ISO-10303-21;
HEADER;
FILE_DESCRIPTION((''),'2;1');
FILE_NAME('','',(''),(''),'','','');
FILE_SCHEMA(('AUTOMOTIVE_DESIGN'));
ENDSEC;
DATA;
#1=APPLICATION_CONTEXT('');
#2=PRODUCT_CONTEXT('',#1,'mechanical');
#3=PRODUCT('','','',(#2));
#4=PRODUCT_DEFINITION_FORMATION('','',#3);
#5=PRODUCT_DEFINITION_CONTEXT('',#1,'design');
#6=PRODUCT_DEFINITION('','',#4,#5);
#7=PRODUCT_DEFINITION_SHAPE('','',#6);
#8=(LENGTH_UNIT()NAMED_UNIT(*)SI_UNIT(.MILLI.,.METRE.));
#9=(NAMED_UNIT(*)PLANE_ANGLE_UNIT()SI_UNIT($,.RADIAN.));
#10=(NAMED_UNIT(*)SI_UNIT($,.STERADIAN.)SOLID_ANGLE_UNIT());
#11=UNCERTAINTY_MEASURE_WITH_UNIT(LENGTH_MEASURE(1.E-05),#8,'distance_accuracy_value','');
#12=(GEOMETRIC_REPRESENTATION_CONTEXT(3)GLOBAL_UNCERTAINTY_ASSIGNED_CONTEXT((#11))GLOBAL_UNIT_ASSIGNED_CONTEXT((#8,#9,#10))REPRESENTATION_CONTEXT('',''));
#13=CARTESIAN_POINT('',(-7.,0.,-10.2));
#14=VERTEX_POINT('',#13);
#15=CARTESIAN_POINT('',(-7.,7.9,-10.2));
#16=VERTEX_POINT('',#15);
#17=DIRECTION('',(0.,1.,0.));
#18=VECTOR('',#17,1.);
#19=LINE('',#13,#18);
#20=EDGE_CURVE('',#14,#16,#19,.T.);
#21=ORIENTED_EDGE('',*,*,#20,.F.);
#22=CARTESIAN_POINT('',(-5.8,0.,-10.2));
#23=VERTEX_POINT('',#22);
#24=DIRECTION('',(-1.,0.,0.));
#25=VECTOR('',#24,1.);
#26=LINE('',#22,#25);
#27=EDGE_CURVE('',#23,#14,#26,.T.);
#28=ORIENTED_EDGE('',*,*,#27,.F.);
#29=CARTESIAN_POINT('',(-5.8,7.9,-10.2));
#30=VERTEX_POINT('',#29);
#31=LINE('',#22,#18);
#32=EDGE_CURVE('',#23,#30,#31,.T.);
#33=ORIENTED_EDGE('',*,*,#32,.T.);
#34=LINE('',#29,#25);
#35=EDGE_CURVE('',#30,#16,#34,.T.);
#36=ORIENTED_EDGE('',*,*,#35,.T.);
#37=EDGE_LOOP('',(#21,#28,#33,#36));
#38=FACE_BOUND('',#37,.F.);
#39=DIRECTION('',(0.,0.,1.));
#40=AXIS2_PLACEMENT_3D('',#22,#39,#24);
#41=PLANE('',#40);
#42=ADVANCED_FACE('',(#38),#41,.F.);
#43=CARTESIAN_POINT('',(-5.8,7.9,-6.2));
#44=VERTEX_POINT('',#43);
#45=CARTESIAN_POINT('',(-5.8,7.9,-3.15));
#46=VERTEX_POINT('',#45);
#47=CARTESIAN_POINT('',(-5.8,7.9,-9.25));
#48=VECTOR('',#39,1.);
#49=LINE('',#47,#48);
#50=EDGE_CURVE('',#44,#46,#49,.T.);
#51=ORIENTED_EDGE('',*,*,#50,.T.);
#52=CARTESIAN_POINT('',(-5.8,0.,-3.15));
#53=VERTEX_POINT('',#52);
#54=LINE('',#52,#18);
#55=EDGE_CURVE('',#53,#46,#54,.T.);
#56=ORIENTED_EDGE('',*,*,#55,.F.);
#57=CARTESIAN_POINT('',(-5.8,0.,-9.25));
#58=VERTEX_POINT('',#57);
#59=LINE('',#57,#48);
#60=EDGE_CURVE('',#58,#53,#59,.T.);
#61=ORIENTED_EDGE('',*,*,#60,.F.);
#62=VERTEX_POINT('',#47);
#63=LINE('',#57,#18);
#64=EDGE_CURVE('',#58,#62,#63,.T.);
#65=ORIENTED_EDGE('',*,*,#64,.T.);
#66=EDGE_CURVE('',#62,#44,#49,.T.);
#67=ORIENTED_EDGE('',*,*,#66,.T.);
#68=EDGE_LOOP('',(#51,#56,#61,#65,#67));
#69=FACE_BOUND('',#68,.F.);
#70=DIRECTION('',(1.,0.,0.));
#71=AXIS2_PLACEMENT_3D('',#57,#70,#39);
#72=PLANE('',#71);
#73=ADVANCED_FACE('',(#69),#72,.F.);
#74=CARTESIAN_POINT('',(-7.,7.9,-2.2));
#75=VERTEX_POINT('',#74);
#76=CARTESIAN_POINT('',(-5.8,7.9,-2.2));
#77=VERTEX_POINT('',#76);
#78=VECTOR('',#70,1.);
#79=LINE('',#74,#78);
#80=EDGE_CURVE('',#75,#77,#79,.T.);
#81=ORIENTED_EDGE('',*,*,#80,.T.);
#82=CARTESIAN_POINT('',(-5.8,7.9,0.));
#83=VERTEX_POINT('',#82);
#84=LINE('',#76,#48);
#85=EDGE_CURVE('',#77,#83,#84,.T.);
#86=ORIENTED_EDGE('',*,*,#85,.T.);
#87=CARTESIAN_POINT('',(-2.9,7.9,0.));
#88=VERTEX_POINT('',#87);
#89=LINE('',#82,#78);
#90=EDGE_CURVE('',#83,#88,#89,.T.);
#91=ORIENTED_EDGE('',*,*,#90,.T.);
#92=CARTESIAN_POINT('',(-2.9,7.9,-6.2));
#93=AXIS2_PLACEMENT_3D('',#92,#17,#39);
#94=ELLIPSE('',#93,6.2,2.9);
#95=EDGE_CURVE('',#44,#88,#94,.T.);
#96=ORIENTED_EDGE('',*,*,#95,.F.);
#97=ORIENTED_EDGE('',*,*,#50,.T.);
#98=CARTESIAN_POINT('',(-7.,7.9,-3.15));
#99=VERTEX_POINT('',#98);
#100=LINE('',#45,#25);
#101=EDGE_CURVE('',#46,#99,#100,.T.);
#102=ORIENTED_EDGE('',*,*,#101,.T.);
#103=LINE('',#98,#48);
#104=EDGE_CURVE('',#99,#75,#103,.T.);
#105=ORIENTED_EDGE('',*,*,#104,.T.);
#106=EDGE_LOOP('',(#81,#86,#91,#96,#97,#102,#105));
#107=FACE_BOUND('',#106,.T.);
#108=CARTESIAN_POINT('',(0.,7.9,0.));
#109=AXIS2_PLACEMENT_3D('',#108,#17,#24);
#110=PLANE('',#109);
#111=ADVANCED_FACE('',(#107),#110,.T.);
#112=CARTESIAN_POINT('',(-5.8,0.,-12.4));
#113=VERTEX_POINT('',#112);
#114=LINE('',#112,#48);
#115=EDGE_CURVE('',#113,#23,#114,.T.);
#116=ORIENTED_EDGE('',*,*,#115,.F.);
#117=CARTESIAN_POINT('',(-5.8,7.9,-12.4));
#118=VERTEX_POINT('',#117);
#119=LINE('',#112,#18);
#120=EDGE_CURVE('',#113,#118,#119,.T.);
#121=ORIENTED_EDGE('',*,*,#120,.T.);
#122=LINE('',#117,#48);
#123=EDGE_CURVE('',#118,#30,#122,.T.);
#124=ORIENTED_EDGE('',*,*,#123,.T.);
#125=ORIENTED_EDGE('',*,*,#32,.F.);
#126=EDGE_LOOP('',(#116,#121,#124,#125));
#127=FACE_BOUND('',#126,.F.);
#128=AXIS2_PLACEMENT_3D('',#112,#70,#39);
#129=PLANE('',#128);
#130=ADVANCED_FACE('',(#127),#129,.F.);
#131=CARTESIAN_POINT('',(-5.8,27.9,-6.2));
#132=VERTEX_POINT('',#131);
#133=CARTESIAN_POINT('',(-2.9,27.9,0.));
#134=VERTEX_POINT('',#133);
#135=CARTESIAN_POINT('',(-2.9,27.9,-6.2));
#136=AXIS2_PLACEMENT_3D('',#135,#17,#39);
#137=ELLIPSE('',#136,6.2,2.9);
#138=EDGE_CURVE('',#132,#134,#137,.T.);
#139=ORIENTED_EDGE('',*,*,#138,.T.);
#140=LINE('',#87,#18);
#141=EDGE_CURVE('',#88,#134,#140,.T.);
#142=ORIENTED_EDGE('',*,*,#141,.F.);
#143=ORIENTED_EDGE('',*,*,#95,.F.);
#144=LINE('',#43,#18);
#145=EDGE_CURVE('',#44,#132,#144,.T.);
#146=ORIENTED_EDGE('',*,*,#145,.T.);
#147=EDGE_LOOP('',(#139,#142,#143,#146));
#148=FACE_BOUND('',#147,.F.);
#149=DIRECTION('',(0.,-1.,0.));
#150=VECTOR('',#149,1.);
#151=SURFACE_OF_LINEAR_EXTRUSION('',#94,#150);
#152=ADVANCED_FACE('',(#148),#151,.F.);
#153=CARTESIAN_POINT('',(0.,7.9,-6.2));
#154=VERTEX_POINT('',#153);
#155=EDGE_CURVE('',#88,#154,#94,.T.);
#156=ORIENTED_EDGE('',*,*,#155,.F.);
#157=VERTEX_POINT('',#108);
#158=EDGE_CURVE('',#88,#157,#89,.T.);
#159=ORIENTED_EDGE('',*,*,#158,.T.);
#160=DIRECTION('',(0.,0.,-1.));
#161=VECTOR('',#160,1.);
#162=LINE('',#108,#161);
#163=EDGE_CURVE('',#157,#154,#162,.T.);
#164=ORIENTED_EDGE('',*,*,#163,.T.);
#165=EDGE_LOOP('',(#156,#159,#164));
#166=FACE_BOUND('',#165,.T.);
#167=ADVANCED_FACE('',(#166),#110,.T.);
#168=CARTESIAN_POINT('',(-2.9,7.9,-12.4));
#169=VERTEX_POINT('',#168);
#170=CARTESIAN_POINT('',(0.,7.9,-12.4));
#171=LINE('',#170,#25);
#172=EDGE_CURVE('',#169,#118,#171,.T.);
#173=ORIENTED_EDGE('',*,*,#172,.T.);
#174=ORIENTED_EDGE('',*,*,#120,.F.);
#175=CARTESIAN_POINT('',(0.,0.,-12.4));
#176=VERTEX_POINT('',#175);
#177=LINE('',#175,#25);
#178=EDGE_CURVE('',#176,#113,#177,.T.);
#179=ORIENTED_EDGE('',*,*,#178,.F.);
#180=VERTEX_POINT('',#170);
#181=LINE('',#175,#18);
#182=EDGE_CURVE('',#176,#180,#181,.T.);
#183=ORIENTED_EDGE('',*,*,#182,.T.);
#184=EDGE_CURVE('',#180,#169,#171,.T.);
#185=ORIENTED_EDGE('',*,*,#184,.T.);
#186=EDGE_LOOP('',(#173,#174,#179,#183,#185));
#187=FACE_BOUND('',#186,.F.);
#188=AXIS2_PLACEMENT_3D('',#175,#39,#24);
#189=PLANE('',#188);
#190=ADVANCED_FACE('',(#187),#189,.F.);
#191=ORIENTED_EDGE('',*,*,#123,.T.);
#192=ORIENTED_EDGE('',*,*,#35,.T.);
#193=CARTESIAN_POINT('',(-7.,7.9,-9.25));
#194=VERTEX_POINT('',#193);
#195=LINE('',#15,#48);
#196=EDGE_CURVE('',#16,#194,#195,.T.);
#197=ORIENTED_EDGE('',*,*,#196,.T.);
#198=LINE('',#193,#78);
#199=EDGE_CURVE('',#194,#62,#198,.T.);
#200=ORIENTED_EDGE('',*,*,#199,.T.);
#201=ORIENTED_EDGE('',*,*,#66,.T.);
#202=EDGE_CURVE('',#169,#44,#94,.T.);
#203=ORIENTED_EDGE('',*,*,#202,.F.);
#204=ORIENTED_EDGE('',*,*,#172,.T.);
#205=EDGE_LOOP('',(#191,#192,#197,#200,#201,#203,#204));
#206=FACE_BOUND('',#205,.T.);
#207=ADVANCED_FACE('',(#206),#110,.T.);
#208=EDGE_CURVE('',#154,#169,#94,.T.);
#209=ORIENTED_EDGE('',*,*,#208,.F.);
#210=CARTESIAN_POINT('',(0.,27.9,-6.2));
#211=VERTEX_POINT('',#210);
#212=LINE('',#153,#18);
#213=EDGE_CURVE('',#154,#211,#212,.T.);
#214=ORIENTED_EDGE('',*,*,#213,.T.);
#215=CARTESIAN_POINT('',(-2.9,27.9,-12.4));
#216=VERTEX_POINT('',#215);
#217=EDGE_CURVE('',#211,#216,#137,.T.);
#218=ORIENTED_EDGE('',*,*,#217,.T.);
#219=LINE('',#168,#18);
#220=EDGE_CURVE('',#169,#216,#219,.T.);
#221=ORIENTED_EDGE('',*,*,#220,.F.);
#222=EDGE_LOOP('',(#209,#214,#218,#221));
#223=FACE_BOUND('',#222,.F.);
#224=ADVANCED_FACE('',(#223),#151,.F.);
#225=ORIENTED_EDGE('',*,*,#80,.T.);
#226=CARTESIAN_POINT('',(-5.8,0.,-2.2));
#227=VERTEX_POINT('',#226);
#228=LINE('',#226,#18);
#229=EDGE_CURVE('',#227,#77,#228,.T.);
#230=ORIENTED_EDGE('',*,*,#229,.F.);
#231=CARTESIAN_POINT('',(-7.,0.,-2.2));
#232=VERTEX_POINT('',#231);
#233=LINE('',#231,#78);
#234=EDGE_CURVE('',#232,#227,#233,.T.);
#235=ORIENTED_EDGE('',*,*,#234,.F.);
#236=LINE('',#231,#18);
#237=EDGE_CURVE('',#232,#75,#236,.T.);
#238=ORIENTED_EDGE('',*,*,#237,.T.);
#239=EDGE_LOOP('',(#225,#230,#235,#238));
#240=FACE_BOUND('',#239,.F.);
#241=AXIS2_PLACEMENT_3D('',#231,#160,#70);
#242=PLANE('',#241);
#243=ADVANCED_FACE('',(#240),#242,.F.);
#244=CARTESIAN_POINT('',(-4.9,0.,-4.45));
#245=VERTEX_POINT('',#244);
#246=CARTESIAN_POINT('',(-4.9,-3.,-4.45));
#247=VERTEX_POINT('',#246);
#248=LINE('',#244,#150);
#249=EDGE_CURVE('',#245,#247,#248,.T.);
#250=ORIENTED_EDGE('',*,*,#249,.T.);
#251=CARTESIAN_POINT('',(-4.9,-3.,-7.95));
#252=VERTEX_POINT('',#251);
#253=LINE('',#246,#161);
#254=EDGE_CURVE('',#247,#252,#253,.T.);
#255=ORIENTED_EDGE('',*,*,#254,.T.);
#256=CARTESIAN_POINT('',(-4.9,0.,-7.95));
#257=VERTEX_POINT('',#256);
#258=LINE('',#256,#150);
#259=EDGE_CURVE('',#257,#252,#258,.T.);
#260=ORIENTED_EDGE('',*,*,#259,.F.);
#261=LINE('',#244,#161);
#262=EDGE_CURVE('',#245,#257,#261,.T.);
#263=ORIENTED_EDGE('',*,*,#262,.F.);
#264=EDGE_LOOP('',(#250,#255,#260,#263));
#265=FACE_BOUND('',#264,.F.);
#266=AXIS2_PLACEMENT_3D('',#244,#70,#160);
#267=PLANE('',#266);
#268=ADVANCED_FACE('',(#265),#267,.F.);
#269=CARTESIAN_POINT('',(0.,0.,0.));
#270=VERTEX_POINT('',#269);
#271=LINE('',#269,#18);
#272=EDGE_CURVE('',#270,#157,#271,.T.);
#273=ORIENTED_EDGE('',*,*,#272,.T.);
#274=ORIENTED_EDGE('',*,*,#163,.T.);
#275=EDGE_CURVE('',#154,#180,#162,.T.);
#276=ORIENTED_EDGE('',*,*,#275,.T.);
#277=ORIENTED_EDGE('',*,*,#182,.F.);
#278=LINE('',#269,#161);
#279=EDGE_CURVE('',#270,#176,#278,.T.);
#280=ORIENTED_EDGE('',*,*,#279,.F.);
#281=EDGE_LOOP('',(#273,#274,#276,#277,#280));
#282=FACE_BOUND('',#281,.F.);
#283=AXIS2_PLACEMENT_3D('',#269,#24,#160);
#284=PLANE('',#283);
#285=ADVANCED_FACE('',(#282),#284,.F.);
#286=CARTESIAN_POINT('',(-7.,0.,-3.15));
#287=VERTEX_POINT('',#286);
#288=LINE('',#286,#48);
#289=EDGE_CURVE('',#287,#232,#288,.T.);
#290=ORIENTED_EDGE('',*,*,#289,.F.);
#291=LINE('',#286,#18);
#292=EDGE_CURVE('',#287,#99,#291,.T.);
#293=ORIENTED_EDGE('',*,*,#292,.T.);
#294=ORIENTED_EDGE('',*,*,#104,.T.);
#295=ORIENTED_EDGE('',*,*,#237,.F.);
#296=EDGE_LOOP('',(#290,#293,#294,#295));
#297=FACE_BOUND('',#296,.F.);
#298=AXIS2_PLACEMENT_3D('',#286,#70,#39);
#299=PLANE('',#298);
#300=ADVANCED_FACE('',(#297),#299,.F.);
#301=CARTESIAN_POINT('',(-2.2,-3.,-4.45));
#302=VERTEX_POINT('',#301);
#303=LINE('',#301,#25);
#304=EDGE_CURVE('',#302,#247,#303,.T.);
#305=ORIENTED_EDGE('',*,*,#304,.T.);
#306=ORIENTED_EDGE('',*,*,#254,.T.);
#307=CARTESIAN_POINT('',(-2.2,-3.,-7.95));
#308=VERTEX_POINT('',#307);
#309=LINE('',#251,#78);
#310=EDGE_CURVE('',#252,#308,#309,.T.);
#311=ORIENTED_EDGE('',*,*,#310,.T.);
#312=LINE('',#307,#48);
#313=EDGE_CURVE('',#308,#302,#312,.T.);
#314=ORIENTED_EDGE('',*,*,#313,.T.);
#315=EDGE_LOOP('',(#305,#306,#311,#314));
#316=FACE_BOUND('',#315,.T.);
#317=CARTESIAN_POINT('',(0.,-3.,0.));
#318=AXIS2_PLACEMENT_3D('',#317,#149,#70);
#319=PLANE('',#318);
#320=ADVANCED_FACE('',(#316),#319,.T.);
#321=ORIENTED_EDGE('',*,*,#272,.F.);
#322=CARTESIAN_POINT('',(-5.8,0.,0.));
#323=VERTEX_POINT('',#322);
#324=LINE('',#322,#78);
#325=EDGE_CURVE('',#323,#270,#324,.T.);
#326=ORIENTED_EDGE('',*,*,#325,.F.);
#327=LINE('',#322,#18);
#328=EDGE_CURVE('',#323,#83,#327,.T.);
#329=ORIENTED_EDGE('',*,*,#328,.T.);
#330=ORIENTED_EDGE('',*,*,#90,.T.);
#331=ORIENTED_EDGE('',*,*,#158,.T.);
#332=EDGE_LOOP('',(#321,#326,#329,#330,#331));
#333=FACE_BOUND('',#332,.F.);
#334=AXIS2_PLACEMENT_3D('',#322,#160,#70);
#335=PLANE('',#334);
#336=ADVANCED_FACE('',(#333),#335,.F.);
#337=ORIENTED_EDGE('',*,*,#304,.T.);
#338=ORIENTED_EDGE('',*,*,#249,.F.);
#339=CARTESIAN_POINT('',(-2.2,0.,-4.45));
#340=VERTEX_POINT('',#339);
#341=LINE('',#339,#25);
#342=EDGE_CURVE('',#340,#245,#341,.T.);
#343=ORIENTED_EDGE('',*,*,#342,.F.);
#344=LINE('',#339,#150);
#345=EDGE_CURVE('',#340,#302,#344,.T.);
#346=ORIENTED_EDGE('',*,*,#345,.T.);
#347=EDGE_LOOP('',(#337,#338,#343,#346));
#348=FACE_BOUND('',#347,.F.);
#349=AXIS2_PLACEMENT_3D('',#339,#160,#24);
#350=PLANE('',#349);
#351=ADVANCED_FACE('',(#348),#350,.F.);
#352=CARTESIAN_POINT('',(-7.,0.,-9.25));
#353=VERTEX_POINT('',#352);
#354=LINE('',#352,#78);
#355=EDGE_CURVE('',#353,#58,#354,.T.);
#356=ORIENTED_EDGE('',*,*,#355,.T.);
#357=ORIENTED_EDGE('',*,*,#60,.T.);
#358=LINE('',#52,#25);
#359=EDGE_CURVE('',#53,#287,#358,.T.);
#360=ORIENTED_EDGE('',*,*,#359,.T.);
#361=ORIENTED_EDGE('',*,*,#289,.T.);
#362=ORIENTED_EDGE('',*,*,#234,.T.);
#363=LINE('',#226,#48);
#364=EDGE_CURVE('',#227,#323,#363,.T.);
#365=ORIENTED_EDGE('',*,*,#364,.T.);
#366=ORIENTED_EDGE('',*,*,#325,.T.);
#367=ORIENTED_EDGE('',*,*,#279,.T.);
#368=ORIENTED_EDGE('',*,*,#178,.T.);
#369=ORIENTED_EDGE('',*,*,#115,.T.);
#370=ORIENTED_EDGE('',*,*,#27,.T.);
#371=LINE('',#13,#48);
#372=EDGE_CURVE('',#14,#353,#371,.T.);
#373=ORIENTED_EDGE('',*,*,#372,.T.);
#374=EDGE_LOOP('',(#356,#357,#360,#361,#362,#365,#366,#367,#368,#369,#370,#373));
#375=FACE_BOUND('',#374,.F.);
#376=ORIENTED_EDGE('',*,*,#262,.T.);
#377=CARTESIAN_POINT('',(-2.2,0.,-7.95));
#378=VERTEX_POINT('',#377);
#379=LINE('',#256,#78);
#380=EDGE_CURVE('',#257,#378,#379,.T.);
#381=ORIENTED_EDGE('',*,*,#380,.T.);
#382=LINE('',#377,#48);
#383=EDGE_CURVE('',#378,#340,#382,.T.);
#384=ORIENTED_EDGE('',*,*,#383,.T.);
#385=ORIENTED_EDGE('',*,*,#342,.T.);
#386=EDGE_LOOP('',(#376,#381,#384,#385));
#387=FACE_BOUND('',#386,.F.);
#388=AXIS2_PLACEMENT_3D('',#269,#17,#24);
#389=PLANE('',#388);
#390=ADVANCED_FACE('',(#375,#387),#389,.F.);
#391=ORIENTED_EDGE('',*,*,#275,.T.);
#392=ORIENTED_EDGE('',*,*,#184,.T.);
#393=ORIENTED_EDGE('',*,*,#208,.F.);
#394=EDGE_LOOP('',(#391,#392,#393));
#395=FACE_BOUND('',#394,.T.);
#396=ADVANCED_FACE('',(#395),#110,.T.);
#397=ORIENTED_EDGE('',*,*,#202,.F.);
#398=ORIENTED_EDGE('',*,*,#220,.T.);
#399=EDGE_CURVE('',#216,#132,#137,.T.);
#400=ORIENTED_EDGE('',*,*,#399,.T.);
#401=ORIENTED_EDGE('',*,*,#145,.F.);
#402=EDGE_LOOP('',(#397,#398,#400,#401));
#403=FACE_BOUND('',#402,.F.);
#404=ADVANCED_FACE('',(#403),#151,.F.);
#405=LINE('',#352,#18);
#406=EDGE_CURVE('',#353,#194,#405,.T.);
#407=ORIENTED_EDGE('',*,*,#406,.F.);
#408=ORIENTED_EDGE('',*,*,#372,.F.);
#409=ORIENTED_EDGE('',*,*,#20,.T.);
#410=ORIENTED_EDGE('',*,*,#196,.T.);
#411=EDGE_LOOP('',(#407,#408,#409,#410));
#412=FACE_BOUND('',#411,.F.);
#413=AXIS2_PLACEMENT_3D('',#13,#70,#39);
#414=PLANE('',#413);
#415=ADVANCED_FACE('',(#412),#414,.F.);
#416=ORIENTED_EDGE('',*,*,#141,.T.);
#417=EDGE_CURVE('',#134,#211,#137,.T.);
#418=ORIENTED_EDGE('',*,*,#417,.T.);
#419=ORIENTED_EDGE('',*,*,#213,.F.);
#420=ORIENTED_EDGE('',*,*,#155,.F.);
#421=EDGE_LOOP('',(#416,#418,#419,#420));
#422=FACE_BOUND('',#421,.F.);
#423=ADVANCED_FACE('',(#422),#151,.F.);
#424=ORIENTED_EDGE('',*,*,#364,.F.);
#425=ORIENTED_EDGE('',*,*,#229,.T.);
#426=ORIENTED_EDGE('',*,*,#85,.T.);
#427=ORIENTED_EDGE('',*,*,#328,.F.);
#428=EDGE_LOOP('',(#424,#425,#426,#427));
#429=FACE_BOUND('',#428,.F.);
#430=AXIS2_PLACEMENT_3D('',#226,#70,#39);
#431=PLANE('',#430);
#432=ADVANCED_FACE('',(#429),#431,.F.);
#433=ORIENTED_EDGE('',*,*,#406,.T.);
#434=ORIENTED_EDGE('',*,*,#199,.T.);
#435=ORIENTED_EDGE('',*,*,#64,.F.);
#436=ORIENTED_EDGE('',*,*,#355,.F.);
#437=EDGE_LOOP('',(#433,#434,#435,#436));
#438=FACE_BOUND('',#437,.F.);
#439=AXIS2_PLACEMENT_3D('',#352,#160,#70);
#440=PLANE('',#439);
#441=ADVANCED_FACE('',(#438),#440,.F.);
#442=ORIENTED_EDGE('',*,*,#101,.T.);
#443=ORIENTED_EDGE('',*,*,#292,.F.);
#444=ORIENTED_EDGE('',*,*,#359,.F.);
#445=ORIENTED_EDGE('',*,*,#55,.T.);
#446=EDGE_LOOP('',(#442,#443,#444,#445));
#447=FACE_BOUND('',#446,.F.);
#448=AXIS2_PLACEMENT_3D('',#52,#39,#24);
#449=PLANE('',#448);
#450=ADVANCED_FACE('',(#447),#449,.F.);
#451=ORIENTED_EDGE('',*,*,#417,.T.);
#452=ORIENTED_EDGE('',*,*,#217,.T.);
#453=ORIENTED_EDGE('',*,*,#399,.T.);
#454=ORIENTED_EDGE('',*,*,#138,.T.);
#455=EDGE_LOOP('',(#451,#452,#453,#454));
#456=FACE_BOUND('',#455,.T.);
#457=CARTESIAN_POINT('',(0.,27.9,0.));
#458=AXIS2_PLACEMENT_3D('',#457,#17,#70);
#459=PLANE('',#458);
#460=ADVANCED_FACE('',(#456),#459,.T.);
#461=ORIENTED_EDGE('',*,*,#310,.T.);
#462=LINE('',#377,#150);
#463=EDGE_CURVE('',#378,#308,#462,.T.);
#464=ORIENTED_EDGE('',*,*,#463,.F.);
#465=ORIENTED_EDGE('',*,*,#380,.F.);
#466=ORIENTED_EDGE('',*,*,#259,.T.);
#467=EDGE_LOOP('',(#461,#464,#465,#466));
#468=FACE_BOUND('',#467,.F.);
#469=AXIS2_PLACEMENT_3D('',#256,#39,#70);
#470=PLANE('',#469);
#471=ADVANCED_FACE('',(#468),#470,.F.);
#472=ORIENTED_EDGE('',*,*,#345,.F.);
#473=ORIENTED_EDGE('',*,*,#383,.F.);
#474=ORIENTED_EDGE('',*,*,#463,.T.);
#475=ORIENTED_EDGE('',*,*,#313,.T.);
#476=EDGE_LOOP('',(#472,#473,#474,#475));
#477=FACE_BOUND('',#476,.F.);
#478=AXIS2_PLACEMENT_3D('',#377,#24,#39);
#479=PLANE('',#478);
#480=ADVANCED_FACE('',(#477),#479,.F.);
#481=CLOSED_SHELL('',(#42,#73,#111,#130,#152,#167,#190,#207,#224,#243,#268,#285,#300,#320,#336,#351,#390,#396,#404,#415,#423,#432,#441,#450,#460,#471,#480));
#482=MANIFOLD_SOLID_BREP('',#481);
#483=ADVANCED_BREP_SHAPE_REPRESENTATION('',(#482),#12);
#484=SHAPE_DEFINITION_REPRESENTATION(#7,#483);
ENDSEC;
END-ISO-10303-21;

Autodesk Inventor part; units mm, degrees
ref_plane "YZ Plane" through (0, 0, 0) normal (1, 0, 0) x (0, 1, 0)
ref_plane "XZ Plane" through (0, 0, 0) normal (0, 1, 0) x (-1, 0, 0)
ref_plane "XY Plane" through (0, 0, 0) normal (0, 0, 1) x (1, 0, 0)
sketch "スケッチ1" plane through (0, 0, 0) normal (0, 1, 0) x (-1, 0, 0)
  line L0 (0, 0) -> (0, -12.4)
  line L1 (0, -12.4) -> (5.8, -12.4)
  line L2 (5.8, -12.4) -> (5.8, -10.2)
  line L3 (5.8, -10.2) -> (7, -10.2)
  line L4 (7, -10.2) -> (7, -9.25)
  line L5 (7, -9.25) -> (5.8, -9.25)
  line L6 (5.8, -9.25) -> (5.8, -3.15)
  line L7 (5.8, -3.15) -> (7, -3.15)
  line L8 (7, -3.15) -> (7, -2.2)
  line L9 (7, -2.2) -> (5.8, -2.2)
  line L10 (5.8, -2.2) -> (5.8, 0)
  line L11 (5.8, 0) -> (0, 0)
  dimension "d1" = 12.4
  dimension "d2" = 5.8
  dimension "d3" = 0.95
  dimension "d5" = 7
  dimension "d6" = 8
extrude "押し出し1" add sketch "スケッチ1" along normal blind 7.9
sketch "スケッチ2" plane through (0, 7.9, 0) normal (0, 1, 0) x (1, 0, 0)
  line L0 (-5.8, 0) -> (0, 0) projected
  line L1 (0, 12.4) -> (-5.8, 12.4) projected
  line L2 (-5.8, 12.4) -> (-5.8, 10.2) projected
  line L3 (-5.8, 10.2) -> (-7, 10.2) projected
  line L4 (-7, 10.2) -> (-7, 9.25) projected
  line L5 (-7, 9.25) -> (-5.8, 9.25) projected
  line L6 (-5.8, 9.25) -> (-5.8, 3.15) projected
  line L7 (-5.8, 3.15) -> (-7, 3.15) projected
  line L8 (-7, 3.15) -> (-7, 2.2) projected
  line L9 (-7, 2.2) -> (-5.8, 2.2) projected
  line L10 (-5.8, 2.2) -> (-5.8, 0) projected
  line L11 (-5.8, 0) -> (0, 0) projected
  line L12 (0, 0) -> (0, 12.4) projected
  ellipse E0 centre (-2.9, 6.2) end of major axis (-5.8, 6.2) minor radius 6.2
  point P0 (-2.9, 0)
  point P1 (-2.9, 12.4)
  point P2 (0, 6.2)
  point P3 (-5.8, 6.2)
extrude "押し出し2" add sketch "スケッチ2" along normal blind 20 contours E0
sketch "スケッチ4" plane through (0, 0, 0) normal (0, -1, 0) x (1, 0, 0)
  line L0 (-2.2, -4.45) -> (-4.9, -4.45)
  line L1 (-4.9, -4.45) -> (-4.9, -7.95)
  line L2 (-4.9, -7.95) -> (-2.2, -7.95)
  line L3 (-2.2, -7.95) -> (-2.2, -4.45)
  line L4 (0, 0) -> (0, -12.4) projected
  point P0 (0, -6.2)
  point P1 (-2.2, -6.2)
  dimension "d11" = 2.7
  dimension "d12" = 3.5
  dimension "d13" = 2.2
extrude "押し出し3" add sketch "スケッチ4" along normal blind 3
properties part number "Lipo"
